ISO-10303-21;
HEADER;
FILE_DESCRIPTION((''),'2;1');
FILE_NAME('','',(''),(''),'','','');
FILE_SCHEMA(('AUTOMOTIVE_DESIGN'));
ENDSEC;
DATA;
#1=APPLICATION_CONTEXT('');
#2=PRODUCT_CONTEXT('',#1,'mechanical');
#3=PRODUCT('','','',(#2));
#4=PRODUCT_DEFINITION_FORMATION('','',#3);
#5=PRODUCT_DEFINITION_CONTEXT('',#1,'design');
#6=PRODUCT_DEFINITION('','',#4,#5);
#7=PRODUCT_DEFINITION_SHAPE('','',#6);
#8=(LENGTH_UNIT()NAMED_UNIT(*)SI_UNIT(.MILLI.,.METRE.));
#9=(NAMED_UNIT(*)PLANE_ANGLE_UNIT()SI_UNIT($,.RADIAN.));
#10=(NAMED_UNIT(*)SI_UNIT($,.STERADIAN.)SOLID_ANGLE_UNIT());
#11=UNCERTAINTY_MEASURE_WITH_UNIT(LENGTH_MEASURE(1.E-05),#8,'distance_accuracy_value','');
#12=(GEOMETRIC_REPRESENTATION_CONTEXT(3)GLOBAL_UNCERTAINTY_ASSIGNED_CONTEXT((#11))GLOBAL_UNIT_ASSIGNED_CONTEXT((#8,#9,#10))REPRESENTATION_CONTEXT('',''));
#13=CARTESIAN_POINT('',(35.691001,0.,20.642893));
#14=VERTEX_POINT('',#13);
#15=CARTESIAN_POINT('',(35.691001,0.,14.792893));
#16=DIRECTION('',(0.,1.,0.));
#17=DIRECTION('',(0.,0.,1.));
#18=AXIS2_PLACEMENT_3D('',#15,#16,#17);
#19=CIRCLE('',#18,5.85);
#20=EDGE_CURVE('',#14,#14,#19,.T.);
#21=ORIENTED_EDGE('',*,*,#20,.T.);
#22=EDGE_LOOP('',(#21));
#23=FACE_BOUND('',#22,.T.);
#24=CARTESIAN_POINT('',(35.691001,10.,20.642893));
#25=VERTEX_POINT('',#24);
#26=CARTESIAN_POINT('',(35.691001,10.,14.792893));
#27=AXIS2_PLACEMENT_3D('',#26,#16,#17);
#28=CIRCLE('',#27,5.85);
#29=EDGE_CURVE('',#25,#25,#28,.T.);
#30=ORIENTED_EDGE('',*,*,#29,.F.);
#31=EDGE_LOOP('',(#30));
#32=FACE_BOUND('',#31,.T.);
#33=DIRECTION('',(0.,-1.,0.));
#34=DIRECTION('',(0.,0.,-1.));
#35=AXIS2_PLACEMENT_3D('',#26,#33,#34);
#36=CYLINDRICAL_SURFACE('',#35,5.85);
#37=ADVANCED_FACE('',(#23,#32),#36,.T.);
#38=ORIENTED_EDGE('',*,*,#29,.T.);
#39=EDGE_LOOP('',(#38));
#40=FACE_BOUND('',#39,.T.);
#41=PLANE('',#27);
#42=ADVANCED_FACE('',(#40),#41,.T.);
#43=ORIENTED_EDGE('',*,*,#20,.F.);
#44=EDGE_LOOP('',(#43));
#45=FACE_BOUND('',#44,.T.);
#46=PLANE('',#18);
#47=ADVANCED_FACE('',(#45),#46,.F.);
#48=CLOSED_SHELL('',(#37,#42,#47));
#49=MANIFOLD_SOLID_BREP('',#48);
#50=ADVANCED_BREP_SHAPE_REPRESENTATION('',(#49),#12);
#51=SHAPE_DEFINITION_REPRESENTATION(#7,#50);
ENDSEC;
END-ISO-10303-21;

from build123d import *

# Parameters (mm, degrees)
SKETCH1_R           = 5.85
BOSS_EXTRUDE1_DEPTH = 10


with BuildPart() as part:
    # Sketch1 → Boss-Extrude1 (new body)
    with BuildSketch(Plane(origin=(0, 0, 0), x_dir=(1, 0, 0), z_dir=(0, 1, 0))):
        with Locations((35.691000862, -14.792892735)):
            Circle(SKETCH1_R)
    extrude(amount=BOSS_EXTRUDE1_DEPTH)


solid = part.part
